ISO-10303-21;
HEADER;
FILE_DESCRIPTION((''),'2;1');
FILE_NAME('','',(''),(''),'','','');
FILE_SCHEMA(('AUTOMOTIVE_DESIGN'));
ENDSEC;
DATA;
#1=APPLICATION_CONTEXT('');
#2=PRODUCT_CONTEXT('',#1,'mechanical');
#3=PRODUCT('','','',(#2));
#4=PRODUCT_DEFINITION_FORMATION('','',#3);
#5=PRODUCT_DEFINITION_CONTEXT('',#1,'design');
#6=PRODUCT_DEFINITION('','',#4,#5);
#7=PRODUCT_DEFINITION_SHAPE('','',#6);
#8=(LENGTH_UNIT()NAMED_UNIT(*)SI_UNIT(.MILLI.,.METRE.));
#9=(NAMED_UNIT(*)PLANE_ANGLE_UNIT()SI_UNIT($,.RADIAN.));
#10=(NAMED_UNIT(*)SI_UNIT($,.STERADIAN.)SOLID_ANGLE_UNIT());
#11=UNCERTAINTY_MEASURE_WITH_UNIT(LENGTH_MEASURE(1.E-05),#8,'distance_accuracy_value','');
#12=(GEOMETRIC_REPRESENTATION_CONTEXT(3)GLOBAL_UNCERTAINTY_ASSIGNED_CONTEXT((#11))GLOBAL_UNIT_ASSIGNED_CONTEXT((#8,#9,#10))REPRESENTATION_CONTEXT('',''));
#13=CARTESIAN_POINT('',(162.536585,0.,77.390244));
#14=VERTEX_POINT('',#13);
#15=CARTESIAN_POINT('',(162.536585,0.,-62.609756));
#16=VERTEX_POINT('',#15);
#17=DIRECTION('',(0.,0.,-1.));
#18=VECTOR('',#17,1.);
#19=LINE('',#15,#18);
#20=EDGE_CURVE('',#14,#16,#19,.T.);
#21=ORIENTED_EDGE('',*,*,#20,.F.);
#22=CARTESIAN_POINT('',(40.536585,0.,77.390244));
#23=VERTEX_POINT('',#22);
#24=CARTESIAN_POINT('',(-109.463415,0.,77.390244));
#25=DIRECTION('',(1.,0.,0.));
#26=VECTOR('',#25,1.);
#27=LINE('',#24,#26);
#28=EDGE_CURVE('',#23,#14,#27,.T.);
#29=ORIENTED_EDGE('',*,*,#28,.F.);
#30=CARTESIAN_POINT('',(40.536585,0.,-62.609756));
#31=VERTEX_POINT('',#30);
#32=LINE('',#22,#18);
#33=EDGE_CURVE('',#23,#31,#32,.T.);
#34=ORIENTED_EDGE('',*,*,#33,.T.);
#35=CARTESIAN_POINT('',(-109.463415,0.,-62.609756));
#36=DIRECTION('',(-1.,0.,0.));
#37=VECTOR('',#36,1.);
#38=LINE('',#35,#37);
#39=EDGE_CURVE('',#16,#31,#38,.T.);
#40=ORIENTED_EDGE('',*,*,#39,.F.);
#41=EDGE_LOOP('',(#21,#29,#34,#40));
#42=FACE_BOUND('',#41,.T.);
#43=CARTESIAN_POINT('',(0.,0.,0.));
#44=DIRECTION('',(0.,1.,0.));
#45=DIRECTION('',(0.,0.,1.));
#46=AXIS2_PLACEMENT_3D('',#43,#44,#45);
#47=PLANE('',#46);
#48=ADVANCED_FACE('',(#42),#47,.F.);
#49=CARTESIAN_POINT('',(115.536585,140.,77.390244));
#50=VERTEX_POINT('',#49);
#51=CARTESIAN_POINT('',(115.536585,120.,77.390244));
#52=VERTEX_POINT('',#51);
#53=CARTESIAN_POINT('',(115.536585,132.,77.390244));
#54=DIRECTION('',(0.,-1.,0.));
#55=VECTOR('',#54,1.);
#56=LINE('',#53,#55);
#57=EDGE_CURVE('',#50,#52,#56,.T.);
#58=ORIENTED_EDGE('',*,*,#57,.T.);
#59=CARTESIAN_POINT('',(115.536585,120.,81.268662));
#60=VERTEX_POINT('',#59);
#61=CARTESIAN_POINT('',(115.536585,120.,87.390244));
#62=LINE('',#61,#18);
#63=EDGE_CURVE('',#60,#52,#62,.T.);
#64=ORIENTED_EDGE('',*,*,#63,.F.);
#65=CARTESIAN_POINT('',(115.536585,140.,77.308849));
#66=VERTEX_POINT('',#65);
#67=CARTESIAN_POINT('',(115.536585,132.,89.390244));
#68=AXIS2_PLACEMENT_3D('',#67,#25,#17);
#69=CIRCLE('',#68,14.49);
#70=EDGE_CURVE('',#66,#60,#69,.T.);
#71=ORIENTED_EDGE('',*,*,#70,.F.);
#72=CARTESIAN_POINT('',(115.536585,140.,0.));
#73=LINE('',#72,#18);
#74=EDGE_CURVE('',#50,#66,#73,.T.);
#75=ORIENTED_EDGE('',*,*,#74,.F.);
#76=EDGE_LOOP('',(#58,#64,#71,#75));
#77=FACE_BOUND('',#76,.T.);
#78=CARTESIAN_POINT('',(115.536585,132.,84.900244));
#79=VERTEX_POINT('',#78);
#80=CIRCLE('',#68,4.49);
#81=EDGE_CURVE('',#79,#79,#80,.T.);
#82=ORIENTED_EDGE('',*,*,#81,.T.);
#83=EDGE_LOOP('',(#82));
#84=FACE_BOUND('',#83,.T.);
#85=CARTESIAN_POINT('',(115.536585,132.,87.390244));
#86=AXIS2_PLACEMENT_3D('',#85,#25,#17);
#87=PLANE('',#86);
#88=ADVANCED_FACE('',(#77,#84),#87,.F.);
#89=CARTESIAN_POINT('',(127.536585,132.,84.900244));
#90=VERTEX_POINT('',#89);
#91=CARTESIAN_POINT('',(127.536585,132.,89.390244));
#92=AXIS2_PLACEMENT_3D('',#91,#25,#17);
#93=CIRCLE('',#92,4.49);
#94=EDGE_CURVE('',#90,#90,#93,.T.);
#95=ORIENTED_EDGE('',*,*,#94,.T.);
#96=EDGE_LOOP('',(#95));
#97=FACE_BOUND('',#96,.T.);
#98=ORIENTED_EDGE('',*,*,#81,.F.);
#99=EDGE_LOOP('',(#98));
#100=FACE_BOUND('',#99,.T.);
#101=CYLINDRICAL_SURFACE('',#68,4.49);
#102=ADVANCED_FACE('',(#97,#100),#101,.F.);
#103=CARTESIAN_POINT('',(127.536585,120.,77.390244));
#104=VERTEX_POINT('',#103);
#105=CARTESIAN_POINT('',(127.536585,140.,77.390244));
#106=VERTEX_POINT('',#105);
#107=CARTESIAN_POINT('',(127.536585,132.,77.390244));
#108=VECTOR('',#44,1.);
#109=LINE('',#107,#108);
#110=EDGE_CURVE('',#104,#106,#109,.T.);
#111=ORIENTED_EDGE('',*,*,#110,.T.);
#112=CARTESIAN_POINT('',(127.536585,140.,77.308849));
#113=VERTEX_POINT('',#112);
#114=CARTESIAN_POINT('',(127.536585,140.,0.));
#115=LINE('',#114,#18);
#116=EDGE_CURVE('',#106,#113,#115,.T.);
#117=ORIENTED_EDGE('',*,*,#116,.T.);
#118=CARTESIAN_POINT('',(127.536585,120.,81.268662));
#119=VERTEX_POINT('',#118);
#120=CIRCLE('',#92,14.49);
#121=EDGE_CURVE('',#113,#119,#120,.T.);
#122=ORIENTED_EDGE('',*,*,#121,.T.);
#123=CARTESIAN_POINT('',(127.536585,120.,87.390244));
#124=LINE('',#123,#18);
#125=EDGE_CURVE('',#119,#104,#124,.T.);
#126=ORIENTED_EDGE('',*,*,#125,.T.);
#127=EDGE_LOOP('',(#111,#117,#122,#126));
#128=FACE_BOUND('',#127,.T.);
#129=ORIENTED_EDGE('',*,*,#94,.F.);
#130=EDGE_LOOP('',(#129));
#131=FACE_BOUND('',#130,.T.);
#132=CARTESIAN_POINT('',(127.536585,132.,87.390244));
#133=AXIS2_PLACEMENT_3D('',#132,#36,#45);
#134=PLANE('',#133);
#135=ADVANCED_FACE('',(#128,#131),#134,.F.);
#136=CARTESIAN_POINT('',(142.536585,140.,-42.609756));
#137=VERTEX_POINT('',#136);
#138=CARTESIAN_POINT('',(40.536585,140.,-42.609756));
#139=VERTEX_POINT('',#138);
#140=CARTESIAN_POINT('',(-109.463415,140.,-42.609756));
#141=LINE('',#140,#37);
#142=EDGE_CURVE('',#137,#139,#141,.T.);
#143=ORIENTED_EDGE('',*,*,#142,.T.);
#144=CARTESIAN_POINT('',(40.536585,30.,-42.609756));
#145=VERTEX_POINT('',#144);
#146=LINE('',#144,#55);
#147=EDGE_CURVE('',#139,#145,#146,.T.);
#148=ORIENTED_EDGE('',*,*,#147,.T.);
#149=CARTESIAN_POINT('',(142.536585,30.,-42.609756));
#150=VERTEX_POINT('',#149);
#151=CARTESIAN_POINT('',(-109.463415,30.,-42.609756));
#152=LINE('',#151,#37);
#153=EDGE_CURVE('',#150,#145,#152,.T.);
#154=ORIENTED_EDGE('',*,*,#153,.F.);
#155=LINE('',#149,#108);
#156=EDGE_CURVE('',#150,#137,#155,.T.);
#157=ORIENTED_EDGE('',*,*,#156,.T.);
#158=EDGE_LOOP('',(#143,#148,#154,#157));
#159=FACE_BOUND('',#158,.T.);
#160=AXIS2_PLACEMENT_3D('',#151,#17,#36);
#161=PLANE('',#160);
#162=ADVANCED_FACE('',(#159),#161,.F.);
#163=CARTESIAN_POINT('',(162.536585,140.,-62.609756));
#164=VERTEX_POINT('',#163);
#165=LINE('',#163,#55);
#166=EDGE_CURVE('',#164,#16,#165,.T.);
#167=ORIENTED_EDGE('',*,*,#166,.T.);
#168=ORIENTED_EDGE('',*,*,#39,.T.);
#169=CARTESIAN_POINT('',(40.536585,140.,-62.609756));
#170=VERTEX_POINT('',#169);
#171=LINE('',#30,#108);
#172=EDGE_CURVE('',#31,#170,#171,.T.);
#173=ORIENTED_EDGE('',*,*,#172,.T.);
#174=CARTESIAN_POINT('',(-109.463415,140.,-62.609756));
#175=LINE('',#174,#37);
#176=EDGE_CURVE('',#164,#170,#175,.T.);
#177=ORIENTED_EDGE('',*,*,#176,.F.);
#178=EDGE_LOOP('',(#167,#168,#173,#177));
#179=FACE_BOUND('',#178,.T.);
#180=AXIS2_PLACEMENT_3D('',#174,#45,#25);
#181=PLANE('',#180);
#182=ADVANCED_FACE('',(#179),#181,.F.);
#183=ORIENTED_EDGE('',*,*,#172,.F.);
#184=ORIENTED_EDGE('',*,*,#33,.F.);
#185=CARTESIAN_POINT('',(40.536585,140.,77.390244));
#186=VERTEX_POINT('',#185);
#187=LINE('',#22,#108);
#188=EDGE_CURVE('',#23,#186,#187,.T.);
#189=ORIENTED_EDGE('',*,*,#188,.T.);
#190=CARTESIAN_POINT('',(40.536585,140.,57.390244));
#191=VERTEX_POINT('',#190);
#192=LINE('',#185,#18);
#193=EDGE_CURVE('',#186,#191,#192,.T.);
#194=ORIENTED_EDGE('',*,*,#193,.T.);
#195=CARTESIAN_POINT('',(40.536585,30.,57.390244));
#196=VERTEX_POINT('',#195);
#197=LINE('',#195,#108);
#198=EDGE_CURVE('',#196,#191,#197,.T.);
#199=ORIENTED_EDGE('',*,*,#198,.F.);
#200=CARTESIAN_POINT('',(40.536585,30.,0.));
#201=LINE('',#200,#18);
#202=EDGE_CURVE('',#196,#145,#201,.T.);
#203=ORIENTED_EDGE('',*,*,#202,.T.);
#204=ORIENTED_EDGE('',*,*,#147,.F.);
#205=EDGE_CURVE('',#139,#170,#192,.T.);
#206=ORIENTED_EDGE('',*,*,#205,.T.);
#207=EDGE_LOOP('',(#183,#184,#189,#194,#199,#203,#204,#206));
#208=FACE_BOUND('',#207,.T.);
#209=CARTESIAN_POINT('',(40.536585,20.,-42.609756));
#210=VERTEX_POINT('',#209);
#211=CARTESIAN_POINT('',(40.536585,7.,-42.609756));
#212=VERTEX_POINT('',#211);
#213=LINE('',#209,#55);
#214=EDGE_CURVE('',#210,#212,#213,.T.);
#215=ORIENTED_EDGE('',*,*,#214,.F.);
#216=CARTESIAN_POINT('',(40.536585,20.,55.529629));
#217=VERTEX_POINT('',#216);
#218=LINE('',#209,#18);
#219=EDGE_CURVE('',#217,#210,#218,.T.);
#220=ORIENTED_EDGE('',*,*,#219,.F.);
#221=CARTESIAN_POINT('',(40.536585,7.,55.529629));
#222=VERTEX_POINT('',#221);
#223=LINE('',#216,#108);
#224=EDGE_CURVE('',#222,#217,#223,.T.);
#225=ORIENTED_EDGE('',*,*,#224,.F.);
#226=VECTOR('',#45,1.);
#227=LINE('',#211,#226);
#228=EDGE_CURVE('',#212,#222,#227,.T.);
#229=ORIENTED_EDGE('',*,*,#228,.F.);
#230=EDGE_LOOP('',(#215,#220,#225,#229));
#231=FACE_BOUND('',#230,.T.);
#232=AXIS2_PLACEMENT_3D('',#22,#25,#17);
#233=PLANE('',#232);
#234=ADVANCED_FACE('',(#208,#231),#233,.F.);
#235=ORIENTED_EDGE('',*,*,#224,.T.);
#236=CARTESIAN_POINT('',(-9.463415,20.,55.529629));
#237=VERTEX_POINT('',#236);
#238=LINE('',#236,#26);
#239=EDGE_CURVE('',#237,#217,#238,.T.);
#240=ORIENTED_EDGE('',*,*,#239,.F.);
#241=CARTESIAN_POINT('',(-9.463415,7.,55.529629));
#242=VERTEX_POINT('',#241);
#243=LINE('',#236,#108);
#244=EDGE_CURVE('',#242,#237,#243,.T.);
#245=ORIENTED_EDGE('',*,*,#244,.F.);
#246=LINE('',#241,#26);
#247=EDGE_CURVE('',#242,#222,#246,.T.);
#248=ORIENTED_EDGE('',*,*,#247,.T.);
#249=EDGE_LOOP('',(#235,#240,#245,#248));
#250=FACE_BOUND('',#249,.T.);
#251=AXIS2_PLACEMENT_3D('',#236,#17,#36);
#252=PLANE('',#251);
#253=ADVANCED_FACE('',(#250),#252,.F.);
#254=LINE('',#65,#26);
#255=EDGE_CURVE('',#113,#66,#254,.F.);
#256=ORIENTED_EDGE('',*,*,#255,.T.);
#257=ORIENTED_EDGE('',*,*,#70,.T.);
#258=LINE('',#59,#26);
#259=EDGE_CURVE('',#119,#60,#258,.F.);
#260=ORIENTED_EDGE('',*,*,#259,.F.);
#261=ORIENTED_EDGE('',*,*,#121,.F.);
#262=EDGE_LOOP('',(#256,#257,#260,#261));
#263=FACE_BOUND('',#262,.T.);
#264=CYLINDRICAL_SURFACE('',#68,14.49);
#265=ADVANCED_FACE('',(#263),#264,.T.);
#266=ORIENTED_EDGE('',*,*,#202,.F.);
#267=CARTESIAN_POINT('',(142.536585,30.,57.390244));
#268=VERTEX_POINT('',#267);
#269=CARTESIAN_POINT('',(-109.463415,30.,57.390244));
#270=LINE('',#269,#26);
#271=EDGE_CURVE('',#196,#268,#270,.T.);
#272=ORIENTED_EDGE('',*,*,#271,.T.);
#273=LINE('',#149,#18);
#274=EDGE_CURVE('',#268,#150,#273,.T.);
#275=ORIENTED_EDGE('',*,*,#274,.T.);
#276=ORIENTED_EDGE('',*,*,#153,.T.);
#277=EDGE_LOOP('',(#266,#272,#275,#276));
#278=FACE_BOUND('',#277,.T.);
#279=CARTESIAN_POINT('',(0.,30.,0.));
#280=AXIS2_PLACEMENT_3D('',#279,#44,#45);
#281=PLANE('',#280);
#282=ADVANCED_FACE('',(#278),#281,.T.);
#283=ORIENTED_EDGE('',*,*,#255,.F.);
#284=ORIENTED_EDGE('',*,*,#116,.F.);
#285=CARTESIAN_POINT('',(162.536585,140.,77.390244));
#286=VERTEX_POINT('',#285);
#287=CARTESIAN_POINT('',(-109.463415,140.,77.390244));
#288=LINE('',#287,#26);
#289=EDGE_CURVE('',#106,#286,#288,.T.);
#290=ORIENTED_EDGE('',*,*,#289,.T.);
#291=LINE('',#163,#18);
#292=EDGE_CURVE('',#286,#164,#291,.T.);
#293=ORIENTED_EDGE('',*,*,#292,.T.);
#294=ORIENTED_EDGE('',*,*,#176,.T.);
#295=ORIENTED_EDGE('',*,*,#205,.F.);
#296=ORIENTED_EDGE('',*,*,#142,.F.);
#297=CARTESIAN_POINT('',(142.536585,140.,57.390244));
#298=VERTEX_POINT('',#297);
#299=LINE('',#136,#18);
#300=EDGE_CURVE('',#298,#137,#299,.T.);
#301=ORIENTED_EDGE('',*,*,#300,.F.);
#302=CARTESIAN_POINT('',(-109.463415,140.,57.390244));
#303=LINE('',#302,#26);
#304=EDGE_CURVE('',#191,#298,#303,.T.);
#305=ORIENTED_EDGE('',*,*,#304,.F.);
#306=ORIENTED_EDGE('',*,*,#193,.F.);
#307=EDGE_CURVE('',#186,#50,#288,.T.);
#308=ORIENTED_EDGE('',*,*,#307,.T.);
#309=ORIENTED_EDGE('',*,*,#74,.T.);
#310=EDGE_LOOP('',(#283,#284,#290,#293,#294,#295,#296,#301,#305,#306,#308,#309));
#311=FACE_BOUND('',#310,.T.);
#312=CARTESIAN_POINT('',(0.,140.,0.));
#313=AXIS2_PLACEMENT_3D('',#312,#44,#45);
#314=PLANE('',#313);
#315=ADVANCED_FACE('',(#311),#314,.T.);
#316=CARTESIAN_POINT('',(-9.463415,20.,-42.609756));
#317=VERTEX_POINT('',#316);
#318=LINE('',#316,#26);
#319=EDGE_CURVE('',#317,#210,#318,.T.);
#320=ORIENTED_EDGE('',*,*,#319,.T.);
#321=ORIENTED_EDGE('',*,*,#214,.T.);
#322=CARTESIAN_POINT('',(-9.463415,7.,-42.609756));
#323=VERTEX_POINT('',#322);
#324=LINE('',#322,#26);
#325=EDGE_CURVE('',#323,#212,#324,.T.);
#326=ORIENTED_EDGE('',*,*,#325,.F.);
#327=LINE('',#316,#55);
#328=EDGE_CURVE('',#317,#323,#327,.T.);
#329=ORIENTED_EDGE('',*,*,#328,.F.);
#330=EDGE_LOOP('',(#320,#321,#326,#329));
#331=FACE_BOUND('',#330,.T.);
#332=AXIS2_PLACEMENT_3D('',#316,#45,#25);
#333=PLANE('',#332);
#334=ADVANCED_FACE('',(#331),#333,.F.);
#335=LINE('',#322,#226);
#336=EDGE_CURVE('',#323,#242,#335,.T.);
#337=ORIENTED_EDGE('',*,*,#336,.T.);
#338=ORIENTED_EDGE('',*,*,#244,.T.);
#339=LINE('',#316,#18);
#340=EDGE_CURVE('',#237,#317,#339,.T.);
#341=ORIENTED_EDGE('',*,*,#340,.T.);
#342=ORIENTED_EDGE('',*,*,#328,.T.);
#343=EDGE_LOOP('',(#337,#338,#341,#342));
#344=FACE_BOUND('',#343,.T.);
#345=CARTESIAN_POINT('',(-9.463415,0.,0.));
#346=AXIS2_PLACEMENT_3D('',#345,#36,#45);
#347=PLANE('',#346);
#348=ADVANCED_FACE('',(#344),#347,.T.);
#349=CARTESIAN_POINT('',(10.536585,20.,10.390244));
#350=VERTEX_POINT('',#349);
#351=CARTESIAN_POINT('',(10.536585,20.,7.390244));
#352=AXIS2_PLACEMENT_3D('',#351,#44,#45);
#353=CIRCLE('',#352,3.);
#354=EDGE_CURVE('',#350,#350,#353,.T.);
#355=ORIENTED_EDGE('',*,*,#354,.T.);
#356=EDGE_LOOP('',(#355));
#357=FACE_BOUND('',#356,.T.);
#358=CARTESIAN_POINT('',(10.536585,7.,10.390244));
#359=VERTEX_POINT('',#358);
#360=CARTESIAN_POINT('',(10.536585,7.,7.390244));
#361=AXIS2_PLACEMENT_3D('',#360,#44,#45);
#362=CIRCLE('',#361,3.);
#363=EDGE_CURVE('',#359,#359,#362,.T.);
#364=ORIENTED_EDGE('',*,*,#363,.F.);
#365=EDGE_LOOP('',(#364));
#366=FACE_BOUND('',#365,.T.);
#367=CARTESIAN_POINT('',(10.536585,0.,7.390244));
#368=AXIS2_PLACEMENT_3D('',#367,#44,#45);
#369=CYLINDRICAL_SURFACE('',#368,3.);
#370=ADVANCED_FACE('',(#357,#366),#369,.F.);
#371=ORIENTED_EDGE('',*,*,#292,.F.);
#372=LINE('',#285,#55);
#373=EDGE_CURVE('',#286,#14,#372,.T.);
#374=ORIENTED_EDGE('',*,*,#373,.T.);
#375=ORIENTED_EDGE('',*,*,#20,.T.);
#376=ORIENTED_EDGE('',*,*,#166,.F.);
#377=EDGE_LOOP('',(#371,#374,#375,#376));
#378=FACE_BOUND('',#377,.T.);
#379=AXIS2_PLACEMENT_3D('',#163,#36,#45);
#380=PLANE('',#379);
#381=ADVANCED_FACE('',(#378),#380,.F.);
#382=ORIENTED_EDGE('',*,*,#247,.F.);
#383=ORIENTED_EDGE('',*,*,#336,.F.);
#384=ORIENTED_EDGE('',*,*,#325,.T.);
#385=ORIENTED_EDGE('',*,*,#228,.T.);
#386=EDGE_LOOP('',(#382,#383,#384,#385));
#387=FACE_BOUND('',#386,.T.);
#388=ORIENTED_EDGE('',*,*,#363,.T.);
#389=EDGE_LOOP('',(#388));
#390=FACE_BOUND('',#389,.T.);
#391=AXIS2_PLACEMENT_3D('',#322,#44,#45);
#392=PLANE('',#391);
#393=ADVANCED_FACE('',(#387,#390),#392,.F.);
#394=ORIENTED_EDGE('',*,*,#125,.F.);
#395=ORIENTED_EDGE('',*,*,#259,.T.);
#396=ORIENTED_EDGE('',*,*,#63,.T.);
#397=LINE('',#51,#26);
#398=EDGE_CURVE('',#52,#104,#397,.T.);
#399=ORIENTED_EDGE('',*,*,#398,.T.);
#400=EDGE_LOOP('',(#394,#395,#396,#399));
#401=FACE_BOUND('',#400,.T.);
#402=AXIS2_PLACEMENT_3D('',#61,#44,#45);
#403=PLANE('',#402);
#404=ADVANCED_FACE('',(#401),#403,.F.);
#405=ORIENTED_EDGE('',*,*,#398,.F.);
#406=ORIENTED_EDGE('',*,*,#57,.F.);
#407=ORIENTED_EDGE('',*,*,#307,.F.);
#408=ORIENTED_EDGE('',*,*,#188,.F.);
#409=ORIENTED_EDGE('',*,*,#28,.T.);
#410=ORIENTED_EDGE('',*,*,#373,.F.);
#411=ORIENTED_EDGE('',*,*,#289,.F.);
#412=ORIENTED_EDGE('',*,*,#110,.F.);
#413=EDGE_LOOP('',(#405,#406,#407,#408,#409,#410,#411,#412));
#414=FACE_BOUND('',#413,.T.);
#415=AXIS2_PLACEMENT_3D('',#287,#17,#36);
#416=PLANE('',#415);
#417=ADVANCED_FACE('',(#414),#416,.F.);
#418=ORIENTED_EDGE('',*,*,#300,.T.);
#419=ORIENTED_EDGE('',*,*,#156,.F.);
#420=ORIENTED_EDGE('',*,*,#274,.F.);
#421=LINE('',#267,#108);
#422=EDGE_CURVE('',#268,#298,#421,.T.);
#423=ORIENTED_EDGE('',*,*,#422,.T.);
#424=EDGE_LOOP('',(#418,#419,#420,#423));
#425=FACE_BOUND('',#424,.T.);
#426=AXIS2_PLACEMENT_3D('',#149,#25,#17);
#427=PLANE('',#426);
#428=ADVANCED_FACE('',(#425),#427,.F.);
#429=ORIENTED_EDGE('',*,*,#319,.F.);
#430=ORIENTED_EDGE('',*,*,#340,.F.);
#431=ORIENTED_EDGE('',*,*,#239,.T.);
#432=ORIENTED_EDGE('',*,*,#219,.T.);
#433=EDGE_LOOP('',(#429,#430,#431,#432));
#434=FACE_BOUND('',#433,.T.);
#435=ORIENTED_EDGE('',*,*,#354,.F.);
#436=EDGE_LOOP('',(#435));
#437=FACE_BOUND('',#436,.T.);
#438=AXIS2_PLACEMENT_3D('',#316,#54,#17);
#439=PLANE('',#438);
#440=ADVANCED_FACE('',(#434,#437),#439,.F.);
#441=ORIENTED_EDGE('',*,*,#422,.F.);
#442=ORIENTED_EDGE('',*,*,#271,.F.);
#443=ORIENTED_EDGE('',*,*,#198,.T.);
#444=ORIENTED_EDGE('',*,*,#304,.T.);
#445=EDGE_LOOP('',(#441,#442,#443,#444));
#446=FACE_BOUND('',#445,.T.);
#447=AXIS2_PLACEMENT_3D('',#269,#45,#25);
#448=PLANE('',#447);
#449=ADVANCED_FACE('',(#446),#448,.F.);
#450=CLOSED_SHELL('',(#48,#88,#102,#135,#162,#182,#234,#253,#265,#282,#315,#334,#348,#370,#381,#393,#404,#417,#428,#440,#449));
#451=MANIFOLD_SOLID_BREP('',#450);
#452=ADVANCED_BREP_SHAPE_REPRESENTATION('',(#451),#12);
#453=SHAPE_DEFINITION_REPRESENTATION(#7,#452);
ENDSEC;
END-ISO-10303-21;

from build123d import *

# Parameters (mm, degrees)
SKETCH_1_W          = 272
SKETCH_1_H          = 140
EXTRUDE_1_DEPTH     = 140
SKETCH_2_W          = 252
SKETCH_2_H          = 100
CUT_EXTRUDE_1_DEPTH = 110
SKETCH_8_W          = 12
SKETCH_8_H          = 12
EXTRUDE_2_DEPTH     = 10
SKETCH_9_R          = 14.49
SKETCH_9_R_2        = 4.49
EXTRUDE_1_2_DEPTH   = 12
SKETCH_11_R         = 4.49
CUT_EXTRUDE_5_DEPTH = 298.354040116
SKETCH_13_W         = 150
SKETCH_13_H         = 140
CUT_EXTRUDE_7_DEPTH = 239.346904019
SKETCH_14_W         = 98.139384751
SKETCH_14_H         = 13
EXTRUDE_3_DEPTH     = 50
SKETCH_15_R         = 3
CUT_EXTRUDE_8_DEPTH = 231.670688982


with BuildPart() as part:
    # 草圖1 → Extrude 1 (new body)
    with BuildSketch(Plane(origin=(0, 0, 0), x_dir=(1, 0, 0), z_dir=(0, 1, 0))):
        with Locations((26.536585366, -7.390243902)):
            Rectangle(SKETCH_1_W, SKETCH_1_H)
    extrude(amount=EXTRUDE_1_DEPTH)

    # 草圖2 → 除料-伸長1 (cut)
    with BuildSketch(Plane(origin=(0, 140, 0), x_dir=(1, 0, 0), z_dir=(0, 1, 0))):
        with Locations((16.536585366, -7.390243902)):
            Rectangle(SKETCH_2_W, SKETCH_2_H)
    extrude(amount=-CUT_EXTRUDE_1_DEPTH, mode=Mode.SUBTRACT)

    # 草圖8 → 填料-伸長2 (add)
    with BuildSketch(Plane.XY.offset(77.390243902)):
        with Locations((121.536585366, 126)):
            Rectangle(SKETCH_8_W, SKETCH_8_H)
    extrude(amount=EXTRUDE_2_DEPTH)

    # 草圖9 → Extrude 1 2 (add)
    with BuildSketch(Plane(origin=(127.536585366, 0, 0), x_dir=(0, 0, -1), z_dir=(1, 0, 0))):
        with Locations((-89.390243902, 132)):
            Circle(SKETCH_9_R)
        with Locations((-89.390243902, 132)):
            Circle(SKETCH_9_R_2, mode=Mode.SUBTRACT)
    extrude(amount=-EXTRUDE_1_2_DEPTH)

    # 草圖11 → 除料-伸長5 (cut, through all)
    with BuildSketch(Plane(origin=(127.536585366, 0, 0), x_dir=(0, 0, -1), z_dir=(1, 0, 0))):
        with Locations((-89.390243902, 132)):
            Circle(SKETCH_11_R)
    extrude(amount=-CUT_EXTRUDE_5_DEPTH, mode=Mode.SUBTRACT)

    # 草圖13 → 除料-伸長7 (cut, through all)
    with BuildSketch(Plane(origin=(0, 140, 0), x_dir=(1, 0, 0), z_dir=(0, 1, 0))):
        with Locations((-34.463414634, -7.390243902)):
            Rectangle(SKETCH_13_W, SKETCH_13_H)
    extrude(amount=-CUT_EXTRUDE_7_DEPTH, mode=Mode.SUBTRACT)

    # 草圖14 → 填料-伸長3 (add)
    with BuildSketch(Plane.ZY.offset(-40.536585366)):
        with Locations((6.459936277, 13.5)):
            Rectangle(SKETCH_14_W, SKETCH_14_H)
    extrude(amount=EXTRUDE_3_DEPTH)

    # 草圖15 → 除料-伸長8 (cut, through all)
    with BuildSketch(Plane(origin=(0, 20, 0), x_dir=(1, 0, 0), z_dir=(0, 1, 0))):
        with Locations(Location((10.536585366, -7.390243902, 0), (0, 0, 270))):
            Circle(SKETCH_15_R)
    extrude(amount=-CUT_EXTRUDE_8_DEPTH, mode=Mode.SUBTRACT)


solid = part.part
